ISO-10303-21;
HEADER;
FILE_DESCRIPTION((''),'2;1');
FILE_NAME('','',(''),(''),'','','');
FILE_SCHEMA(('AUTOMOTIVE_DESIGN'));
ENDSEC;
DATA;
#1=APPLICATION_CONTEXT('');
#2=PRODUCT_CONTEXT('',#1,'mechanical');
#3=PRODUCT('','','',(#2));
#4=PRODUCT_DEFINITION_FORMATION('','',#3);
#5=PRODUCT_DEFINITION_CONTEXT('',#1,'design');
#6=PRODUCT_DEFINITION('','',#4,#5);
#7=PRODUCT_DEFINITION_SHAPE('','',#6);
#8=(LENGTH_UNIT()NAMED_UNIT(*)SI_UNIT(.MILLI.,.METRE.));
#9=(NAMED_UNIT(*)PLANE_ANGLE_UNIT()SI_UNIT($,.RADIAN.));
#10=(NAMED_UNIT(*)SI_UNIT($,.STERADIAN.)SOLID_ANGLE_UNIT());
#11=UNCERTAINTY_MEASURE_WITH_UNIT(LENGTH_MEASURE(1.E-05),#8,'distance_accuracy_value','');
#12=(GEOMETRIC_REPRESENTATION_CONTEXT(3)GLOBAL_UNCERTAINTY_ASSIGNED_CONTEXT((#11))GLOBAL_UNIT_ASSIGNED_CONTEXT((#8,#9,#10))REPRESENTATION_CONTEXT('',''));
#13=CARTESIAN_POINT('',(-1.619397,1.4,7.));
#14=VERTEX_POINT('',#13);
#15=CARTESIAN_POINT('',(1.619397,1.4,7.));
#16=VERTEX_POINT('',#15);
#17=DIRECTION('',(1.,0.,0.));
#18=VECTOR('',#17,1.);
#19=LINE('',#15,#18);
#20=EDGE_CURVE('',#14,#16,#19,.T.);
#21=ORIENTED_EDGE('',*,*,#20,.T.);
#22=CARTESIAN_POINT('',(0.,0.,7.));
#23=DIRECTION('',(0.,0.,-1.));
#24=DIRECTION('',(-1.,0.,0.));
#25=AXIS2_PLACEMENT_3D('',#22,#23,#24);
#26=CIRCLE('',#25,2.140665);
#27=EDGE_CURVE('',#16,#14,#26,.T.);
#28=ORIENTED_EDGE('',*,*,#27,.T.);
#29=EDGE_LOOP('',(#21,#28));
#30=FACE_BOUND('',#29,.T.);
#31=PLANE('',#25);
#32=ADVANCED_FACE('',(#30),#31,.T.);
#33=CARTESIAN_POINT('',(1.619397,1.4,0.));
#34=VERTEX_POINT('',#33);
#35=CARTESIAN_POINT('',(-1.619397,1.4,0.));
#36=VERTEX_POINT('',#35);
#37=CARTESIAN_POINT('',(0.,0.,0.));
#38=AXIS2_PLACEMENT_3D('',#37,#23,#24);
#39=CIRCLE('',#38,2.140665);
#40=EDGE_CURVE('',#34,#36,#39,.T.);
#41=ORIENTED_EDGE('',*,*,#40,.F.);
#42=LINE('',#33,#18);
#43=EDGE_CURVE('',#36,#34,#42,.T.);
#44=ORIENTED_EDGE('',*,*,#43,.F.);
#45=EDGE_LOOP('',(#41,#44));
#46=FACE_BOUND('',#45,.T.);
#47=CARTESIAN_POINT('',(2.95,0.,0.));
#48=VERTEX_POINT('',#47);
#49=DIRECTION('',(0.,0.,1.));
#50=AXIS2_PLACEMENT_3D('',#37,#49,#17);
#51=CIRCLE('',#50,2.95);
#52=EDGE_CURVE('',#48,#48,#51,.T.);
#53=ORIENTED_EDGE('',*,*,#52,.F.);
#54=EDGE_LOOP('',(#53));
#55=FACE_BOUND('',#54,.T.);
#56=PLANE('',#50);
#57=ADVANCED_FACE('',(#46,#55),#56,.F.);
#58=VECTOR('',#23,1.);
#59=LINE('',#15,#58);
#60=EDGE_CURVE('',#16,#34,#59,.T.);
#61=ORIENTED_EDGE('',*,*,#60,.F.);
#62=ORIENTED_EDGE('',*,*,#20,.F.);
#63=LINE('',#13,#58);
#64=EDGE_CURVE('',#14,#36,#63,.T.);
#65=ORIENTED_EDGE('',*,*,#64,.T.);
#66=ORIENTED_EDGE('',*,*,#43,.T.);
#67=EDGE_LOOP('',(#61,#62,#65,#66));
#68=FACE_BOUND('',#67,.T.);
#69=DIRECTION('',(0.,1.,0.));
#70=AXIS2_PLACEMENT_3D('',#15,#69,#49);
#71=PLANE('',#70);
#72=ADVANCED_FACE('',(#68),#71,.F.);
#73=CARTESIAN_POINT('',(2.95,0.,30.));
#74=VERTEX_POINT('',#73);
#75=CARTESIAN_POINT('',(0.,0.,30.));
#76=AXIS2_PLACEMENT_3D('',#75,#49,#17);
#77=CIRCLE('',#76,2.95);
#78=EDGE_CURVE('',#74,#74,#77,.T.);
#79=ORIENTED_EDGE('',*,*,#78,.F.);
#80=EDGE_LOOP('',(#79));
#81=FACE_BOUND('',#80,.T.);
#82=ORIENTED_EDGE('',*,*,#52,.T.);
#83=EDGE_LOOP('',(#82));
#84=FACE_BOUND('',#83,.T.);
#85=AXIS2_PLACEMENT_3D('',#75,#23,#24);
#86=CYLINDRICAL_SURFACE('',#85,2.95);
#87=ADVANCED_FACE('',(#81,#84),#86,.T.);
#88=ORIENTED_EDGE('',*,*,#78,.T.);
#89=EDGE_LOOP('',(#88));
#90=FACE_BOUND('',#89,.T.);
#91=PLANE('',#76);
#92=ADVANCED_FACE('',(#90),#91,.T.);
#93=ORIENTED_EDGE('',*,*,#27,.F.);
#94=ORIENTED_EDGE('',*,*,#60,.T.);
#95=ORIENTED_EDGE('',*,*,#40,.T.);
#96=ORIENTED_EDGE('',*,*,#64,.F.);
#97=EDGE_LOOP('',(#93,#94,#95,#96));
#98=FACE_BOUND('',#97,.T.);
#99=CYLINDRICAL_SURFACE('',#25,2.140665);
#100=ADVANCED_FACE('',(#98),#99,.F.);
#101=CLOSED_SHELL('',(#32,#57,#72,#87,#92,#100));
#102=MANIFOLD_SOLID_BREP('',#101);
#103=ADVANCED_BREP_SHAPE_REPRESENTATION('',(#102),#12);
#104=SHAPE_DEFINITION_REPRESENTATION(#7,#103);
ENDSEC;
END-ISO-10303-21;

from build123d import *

# Parameters (mm, degrees)
SKETCH1_R           = 2.95
BOSS_EXTRUDE1_DEPTH = 30
CUT_EXTRUDE1_DEPTH  = 7


with BuildPart() as part:
    # Sketch1 → Boss-Extrude1 (new body)
    with BuildSketch(Plane.XY):
        Circle(SKETCH1_R)
    extrude(amount=BOSS_EXTRUDE1_DEPTH)

    # Sketch2 → Cut-Extrude1 (cut)
    with BuildSketch(Plane(origin=(0, 0, 0), x_dir=(-1, 0, 0), z_dir=(0, 0, -1))):
        with BuildLine():
            Line((-1.619397374, 1.4), (1.619397374, 1.4))
            ThreePointArc((1.619397374, 1.4), (0, -2.140665283), (-1.619397374, 1.4))
        make_face()
    extrude(amount=-CUT_EXTRUDE1_DEPTH, mode=Mode.SUBTRACT)


solid = part.part
